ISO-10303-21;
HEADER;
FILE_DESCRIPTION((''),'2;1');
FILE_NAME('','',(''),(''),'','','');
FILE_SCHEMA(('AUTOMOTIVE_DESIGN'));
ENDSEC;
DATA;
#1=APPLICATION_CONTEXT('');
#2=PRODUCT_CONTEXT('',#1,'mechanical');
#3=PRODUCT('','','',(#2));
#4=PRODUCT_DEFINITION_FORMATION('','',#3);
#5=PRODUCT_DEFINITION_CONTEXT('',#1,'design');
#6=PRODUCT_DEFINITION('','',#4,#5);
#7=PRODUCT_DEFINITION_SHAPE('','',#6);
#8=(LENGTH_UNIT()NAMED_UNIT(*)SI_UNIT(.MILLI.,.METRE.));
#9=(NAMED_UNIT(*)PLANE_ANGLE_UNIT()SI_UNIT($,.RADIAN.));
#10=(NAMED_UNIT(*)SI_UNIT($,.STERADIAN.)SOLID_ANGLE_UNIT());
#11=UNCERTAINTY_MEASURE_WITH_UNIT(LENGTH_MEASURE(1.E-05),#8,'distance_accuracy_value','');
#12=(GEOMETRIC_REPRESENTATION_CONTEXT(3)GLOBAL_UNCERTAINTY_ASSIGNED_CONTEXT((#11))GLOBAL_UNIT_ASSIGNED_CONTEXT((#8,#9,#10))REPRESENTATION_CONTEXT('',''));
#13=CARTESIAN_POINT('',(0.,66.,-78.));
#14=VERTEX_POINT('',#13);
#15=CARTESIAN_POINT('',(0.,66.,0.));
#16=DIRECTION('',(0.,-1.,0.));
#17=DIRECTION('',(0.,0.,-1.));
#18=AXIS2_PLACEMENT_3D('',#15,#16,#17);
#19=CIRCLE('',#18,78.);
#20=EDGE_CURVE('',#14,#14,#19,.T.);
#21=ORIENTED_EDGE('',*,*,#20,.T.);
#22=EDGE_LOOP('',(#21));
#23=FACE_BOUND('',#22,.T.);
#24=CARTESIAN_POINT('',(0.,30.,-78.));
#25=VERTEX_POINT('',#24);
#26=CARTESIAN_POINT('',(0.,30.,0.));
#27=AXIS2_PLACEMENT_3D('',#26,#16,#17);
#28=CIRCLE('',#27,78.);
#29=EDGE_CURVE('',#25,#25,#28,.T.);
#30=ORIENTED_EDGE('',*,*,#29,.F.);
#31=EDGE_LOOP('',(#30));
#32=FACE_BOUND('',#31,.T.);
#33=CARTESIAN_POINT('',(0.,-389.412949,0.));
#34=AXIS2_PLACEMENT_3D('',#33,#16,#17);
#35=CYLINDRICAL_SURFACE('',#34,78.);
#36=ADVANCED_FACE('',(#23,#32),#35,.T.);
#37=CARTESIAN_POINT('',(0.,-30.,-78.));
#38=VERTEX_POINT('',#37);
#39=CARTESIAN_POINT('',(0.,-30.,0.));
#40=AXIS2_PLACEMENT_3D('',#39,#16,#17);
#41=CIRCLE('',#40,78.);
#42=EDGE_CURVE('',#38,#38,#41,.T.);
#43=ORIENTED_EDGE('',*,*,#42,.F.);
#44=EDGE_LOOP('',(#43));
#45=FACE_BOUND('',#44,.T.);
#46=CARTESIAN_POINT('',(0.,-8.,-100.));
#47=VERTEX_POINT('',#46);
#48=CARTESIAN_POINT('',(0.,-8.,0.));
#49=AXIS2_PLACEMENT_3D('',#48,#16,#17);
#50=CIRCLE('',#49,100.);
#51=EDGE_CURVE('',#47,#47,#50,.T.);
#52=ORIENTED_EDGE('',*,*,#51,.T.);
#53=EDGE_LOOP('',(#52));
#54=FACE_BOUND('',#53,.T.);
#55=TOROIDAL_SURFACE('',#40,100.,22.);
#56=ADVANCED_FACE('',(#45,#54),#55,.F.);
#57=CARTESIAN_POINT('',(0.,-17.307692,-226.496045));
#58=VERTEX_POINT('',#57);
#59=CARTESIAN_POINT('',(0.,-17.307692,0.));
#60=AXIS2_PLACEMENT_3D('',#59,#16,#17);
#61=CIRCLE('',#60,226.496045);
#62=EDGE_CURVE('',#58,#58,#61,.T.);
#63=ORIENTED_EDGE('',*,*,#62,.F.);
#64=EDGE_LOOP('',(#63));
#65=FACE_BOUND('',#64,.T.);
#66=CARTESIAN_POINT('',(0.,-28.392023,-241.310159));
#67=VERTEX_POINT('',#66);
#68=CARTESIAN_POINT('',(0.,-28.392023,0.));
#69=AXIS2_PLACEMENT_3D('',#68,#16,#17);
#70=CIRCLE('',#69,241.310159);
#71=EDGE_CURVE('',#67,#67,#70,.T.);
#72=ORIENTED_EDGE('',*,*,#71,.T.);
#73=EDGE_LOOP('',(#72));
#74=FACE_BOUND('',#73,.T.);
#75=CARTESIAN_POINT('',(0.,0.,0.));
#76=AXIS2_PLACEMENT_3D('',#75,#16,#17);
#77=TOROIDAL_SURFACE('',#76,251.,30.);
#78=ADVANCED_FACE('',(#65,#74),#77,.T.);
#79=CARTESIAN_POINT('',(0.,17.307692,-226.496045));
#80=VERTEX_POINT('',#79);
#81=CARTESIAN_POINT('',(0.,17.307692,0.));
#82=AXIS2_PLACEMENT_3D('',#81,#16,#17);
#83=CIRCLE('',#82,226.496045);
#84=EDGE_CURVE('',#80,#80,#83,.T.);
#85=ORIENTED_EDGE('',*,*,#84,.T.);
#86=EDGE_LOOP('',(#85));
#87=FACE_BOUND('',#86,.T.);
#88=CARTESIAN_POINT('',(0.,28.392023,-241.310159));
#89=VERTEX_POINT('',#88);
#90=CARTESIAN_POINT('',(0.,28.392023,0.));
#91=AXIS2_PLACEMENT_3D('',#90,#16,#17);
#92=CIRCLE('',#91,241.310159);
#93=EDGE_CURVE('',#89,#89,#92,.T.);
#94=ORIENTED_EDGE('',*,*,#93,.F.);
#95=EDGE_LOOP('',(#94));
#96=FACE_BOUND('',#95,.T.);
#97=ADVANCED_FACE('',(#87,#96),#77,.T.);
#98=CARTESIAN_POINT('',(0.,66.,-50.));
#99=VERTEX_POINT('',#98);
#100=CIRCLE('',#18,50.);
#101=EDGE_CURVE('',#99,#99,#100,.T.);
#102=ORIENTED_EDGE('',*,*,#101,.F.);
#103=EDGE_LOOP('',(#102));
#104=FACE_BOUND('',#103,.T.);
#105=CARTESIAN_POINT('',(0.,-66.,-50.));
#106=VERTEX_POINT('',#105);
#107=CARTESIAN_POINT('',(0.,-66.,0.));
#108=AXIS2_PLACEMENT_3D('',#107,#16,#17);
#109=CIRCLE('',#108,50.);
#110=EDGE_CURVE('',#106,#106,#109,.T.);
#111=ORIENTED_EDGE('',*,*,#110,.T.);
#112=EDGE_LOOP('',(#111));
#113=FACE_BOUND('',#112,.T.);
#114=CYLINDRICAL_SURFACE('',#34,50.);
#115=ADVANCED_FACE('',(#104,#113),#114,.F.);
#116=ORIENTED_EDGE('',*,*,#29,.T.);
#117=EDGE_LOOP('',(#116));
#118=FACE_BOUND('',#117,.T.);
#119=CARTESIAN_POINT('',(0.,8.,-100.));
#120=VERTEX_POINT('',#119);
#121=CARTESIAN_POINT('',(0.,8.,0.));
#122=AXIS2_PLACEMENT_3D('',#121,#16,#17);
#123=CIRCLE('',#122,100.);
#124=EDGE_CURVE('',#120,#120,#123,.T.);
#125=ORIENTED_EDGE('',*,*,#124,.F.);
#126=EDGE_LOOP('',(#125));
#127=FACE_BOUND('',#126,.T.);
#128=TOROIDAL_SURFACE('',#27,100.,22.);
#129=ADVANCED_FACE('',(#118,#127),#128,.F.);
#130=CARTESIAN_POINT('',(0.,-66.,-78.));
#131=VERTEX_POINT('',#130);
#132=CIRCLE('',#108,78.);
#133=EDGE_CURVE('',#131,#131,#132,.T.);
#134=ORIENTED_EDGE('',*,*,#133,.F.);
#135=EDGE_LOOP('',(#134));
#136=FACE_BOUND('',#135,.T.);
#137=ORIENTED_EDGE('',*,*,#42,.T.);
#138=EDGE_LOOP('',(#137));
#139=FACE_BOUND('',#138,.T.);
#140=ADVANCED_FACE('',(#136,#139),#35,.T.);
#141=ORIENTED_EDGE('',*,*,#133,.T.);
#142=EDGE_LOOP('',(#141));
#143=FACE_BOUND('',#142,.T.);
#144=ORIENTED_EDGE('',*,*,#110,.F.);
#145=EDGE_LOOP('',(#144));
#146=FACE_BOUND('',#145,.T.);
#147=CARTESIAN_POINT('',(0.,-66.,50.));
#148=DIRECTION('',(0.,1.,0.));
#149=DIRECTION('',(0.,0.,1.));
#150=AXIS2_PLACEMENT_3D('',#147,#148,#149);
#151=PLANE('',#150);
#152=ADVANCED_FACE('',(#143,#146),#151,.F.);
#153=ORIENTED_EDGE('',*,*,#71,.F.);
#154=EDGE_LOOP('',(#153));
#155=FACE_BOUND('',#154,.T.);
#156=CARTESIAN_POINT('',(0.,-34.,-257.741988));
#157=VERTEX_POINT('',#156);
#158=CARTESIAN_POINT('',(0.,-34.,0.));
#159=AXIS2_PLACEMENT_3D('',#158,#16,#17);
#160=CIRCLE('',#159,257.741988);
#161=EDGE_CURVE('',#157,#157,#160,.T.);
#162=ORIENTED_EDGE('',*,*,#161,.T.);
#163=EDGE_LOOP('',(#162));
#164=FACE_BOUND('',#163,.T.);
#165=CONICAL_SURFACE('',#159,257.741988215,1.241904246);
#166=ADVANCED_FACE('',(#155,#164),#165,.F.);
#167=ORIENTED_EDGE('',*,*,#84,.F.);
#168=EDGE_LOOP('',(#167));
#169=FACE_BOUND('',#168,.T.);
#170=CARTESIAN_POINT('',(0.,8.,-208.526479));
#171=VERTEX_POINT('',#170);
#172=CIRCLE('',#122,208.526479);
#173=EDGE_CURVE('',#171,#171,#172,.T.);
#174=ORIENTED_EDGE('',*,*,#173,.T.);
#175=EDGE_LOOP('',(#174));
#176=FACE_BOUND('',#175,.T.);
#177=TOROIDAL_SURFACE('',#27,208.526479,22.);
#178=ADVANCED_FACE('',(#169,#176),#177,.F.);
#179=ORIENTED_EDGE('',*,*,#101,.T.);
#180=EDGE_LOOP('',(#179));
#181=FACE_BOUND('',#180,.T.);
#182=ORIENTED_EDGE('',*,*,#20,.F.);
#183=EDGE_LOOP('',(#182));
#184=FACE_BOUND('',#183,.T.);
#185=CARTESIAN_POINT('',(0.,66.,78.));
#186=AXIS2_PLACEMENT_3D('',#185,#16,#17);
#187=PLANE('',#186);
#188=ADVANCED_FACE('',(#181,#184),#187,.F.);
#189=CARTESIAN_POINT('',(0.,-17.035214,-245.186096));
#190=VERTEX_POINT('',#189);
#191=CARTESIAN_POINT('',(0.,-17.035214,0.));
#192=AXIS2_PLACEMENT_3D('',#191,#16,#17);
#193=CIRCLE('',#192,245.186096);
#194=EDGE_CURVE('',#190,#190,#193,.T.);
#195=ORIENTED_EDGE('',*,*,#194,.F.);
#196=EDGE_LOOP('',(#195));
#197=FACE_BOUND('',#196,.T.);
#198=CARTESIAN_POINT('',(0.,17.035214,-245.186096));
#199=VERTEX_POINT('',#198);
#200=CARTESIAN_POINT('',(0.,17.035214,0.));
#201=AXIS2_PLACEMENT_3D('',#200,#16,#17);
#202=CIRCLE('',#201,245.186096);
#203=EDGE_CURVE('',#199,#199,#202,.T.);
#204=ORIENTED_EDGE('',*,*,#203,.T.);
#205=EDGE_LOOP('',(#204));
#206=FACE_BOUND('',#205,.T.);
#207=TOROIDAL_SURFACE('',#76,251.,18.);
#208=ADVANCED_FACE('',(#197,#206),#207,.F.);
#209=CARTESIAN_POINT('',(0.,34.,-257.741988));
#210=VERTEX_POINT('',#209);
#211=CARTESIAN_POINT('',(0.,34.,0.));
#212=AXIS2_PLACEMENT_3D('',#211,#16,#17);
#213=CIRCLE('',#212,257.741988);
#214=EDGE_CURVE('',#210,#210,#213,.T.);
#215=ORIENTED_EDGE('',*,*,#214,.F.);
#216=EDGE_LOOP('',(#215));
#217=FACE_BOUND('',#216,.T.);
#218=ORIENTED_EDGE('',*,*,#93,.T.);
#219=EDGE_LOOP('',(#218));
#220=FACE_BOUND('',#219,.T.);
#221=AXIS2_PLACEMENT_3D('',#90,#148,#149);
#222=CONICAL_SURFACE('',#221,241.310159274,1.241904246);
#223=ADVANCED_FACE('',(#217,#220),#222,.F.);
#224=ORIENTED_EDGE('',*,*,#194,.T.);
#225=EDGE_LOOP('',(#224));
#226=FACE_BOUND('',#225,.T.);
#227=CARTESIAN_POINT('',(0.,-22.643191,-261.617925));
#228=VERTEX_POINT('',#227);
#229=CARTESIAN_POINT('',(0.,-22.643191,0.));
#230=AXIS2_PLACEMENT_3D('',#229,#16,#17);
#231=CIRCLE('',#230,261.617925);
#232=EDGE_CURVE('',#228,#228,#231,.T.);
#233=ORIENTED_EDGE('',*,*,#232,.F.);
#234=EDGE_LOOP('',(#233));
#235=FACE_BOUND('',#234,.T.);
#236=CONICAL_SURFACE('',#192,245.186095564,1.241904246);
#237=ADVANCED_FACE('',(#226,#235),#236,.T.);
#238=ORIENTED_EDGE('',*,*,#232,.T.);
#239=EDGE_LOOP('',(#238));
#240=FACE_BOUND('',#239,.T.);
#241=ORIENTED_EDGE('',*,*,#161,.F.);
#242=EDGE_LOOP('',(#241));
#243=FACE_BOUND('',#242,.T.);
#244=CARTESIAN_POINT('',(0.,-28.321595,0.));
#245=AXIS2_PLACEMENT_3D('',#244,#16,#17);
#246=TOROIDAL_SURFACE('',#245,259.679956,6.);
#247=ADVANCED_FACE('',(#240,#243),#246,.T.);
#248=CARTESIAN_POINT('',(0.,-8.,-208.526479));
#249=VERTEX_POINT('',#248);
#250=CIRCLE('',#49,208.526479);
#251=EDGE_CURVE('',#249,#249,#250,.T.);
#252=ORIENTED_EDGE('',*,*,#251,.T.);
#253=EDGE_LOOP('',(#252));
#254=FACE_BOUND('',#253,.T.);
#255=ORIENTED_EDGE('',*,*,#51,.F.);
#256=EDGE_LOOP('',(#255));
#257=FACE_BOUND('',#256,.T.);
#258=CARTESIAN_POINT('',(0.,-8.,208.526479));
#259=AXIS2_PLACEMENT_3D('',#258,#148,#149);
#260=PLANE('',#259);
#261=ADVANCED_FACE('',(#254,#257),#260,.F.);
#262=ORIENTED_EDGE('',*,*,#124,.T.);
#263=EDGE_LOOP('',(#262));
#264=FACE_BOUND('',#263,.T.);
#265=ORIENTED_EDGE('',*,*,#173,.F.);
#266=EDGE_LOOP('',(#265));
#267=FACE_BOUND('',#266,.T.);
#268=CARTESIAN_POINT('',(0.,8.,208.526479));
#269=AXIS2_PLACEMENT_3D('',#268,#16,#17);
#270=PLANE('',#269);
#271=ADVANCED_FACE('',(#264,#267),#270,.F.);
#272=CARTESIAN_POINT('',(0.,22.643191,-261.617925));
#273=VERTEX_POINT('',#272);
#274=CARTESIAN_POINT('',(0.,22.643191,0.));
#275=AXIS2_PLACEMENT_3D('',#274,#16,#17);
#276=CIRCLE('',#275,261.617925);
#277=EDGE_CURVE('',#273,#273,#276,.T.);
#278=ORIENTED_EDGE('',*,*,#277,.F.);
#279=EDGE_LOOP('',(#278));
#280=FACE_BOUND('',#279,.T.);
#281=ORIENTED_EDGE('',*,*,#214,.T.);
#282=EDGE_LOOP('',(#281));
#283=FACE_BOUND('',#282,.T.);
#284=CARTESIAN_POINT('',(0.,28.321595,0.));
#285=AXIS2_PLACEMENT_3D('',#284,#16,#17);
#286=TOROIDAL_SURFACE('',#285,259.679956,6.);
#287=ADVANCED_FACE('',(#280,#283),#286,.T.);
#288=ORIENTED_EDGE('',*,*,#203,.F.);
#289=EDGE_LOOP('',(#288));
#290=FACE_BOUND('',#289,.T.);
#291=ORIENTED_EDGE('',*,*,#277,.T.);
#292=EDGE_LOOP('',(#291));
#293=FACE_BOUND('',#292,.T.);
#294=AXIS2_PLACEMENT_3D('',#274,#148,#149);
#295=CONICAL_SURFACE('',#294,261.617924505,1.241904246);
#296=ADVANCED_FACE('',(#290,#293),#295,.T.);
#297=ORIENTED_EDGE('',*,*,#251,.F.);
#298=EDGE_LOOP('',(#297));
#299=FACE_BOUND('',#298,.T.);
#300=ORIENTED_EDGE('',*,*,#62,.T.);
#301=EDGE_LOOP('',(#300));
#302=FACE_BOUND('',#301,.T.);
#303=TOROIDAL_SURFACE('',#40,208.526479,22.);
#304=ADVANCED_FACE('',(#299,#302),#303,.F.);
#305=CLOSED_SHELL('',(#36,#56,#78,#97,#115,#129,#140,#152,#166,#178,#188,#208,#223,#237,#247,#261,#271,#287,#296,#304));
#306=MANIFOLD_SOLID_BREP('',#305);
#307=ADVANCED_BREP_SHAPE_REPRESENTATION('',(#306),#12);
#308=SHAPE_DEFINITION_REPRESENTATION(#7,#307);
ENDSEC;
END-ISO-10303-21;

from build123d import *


with BuildPart() as part:
    # Sketch1 → Revolve1 (revolve)
    with BuildSketch(Plane.YZ, mode=Mode.PRIVATE) as revolve1_sk:
        with BuildLine():
            Line((-66, 50), (66, 50))
            Line((66, 50), (66, 78))
            Line((66, 78), (30, 78))
            ThreePointArc((30, 78), (14.443650814, 84.443650814), (8, 100))
            Line((8, 100), (8, 208.526478837))
            ThreePointArc((8, 208.526478837), (10.46502151, 218.645007158), (17.307692308, 226.496045483))
            ThreePointArc((17.307692308, 226.496045483), (24.020418259, 233.027256563), (28.392023293, 241.310159274))
            Line((28.392023293, 241.310159274), (34, 257.741988215))
            ThreePointArc((34, 257.741988215), (30.259563487, 265.358361019), (22.643190683, 261.617924505))
            Line((22.643190683, 261.617924505), (17.035213976, 245.186095564))
            ThreePointArc((17.035213976, 245.186095564), (0, 233), (-17.035213976, 245.186095564))
            Line((-17.035213976, 245.186095564), (-22.643190683, 261.617924505))
            ThreePointArc((-22.643190683, 261.617924505), (-30.259563487, 265.358361019), (-34, 257.741988215))
            Line((-34, 257.741988215), (-28.392023293, 241.310159274))
            ThreePointArc((-28.392023293, 241.310159274), (-24.020418259, 233.027256563), (-17.307692308, 226.496045483))
            ThreePointArc((-17.307692308, 226.496045483), (-10.46502151, 218.645007158), (-8, 208.526478837))
            Line((-8, 208.526478837), (-8, 100))
            ThreePointArc((-8, 100), (-14.443650814, 84.443650814), (-30, 78))
            Line((-30, 78), (-66, 78))
            Line((-66, 78), (-66, 50))
        make_face()
    revolve(revolve1_sk.sketch.rotate(Axis((0, -389.412948615, 0), (0, 1, 0)), 180), axis=Axis((0, -389.412948615, 0), (0, 1, 0)))


solid = part.part
